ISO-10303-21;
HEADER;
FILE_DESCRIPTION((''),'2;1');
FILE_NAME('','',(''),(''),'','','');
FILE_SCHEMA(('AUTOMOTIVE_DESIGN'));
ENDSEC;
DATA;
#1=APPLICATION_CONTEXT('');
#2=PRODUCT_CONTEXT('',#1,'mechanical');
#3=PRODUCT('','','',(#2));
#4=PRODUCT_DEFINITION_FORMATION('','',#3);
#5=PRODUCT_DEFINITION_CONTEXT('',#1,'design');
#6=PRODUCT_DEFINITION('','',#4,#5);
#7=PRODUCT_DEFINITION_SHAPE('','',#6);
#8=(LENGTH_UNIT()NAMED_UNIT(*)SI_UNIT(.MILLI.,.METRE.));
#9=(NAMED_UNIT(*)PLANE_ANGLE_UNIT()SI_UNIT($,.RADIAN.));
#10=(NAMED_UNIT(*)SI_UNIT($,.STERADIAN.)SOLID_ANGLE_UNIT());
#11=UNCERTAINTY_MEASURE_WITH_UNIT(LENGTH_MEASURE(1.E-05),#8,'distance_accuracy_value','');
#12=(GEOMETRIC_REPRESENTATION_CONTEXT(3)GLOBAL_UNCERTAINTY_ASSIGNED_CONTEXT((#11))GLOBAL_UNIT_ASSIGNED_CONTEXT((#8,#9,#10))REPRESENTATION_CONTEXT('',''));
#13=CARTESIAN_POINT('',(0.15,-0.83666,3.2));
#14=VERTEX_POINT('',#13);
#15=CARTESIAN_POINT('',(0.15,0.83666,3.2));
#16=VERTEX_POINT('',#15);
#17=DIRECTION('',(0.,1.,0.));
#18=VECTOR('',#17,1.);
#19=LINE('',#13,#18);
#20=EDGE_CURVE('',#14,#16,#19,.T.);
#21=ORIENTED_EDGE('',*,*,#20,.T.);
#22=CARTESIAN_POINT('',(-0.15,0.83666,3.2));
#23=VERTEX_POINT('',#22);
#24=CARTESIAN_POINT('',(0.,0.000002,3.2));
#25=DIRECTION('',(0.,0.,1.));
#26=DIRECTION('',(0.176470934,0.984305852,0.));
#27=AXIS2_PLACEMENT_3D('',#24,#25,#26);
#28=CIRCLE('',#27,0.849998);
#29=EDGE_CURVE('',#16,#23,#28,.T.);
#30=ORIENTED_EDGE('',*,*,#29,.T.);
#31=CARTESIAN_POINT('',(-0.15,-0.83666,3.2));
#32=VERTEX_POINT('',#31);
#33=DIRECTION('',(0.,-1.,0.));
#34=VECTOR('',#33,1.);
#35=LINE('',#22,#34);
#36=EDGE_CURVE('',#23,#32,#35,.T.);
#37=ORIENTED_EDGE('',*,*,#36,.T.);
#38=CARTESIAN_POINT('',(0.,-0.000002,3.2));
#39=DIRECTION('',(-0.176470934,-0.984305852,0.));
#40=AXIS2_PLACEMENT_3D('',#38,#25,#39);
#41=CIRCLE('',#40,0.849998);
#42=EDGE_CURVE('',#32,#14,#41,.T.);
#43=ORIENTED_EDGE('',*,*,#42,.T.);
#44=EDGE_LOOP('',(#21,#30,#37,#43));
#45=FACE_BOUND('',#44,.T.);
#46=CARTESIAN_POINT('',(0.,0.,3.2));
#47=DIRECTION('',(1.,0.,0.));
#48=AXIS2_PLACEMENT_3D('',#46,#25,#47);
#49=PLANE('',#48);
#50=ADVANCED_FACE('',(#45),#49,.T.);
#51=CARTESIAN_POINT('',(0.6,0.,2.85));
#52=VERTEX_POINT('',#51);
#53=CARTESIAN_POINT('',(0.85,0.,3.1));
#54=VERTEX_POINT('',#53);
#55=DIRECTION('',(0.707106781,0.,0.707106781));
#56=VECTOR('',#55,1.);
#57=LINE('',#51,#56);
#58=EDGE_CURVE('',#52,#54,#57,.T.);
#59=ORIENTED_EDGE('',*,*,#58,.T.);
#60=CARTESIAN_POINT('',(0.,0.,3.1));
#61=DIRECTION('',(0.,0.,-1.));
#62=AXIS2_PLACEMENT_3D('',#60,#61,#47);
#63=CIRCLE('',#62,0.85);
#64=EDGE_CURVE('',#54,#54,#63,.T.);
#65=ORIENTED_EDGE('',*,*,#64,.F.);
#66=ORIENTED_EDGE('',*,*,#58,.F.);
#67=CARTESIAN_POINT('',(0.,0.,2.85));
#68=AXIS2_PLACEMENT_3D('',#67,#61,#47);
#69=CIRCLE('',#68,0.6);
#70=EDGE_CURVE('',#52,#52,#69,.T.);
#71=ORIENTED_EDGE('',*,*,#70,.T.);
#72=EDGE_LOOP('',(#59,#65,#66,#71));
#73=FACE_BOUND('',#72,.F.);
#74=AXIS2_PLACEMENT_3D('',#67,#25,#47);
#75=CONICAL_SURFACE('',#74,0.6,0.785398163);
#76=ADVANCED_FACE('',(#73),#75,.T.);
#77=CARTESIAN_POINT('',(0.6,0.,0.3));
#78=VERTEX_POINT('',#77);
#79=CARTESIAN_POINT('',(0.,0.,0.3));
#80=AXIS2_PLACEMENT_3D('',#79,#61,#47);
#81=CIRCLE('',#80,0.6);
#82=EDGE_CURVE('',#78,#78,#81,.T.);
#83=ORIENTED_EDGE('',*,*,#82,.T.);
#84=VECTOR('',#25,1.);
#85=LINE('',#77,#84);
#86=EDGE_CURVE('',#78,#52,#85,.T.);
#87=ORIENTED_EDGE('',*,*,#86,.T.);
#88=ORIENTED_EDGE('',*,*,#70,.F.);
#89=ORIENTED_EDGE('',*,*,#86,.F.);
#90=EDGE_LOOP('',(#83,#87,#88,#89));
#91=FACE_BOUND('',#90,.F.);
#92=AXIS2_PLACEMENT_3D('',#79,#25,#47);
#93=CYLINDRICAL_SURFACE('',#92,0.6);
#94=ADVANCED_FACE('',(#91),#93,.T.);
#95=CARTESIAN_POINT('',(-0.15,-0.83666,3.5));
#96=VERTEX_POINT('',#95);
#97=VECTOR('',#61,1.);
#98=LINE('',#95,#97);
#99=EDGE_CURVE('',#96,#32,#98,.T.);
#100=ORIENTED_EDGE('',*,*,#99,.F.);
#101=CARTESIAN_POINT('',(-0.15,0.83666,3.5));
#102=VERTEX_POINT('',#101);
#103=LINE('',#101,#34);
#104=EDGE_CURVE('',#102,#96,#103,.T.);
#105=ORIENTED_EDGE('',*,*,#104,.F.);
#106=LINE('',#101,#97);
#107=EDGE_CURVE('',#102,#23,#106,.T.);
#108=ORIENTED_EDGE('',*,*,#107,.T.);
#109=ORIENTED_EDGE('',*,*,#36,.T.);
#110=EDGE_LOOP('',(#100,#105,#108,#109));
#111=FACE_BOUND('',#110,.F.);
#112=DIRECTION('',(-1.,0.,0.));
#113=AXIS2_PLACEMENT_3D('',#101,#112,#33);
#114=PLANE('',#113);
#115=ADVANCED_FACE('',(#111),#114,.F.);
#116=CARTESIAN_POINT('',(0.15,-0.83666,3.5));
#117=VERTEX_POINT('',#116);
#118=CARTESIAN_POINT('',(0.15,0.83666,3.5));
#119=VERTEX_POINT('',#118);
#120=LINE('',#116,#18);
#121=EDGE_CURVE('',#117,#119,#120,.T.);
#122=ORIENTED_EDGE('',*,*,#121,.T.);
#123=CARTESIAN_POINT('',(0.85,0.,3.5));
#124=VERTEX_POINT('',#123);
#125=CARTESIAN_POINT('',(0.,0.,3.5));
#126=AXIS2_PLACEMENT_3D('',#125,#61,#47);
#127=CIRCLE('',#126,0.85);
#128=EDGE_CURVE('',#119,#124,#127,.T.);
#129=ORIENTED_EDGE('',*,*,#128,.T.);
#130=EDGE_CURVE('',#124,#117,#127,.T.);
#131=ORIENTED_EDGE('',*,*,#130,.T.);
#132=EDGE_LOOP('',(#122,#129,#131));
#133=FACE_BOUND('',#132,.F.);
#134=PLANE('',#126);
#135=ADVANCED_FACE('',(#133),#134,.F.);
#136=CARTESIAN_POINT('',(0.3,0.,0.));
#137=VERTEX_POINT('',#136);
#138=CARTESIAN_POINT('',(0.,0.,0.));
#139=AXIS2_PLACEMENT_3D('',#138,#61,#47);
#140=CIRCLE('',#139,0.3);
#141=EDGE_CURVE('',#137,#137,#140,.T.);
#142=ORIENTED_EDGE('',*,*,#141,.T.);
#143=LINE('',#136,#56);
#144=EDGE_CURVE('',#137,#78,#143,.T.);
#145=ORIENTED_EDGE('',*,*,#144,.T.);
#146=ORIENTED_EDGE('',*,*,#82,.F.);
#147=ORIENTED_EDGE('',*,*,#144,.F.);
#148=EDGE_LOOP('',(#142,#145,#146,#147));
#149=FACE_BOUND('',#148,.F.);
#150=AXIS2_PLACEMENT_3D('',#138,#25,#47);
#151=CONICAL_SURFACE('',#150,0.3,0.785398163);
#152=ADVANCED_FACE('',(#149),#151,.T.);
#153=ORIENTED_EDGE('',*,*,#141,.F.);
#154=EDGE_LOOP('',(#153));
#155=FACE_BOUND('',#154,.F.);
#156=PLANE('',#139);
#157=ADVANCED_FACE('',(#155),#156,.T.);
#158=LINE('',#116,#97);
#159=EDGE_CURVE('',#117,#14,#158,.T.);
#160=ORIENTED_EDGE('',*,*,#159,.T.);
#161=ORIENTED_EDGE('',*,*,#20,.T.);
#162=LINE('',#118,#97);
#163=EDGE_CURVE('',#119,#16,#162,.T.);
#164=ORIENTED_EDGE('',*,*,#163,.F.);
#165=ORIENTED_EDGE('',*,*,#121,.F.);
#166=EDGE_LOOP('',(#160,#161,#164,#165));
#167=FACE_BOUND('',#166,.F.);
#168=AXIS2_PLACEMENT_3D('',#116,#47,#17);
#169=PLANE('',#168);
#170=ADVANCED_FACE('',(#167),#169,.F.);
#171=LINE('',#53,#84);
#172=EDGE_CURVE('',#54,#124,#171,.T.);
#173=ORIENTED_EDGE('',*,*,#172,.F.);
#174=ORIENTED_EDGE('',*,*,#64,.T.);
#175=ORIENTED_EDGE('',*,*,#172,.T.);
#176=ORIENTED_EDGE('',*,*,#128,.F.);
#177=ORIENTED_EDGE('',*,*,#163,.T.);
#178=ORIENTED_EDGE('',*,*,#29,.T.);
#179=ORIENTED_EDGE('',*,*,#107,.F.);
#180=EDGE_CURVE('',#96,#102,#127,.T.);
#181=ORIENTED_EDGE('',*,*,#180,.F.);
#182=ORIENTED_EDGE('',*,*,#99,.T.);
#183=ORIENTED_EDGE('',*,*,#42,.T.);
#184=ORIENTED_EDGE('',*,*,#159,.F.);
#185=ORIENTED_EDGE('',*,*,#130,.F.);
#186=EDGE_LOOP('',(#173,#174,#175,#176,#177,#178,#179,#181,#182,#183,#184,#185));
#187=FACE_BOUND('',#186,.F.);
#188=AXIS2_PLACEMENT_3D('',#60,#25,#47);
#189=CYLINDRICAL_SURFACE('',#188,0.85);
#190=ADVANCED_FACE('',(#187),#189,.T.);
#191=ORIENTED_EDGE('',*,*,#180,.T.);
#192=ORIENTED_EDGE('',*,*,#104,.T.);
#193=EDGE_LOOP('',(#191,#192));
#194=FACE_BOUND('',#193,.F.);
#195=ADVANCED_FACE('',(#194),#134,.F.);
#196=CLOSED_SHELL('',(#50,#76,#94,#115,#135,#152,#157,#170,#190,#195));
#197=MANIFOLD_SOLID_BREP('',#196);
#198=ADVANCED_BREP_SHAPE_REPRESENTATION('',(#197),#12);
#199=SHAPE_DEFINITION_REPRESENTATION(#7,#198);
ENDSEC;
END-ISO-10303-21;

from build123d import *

# Parameters (mm, degrees)
F3_DEPTH = 0.3


with BuildPart() as f1:
    # F0 (on Front) → F1 (revolve)
    with BuildSketch(Plane.XZ):
        Polygon((0, 3.5), (0, 0), (0.3, 0), (0.6, 0.3), (0.6, 2.85), (0.85, 3.1), (0.85, 3.5), align=None)
    revolve(axis=Axis((0, 0, 1.75), (0, 0, -1)))

    # F2 (on face) → F3 (cut)
    with BuildSketch(Plane.XY.offset(3.5)):
        with BuildLine():
            ThreePointArc((0.15, 0.83666), (0, 0.85), (-0.15, 0.83666))
            Line((-0.15, 0.83666), (-0.15, -0.83666))
            ThreePointArc((-0.15, -0.83666), (0, -0.85), (0.15, -0.83666))
            Line((0.15, -0.83666), (0.15, 0.83666))
        make_face()
    extrude(amount=-F3_DEPTH, mode=Mode.SUBTRACT)


solid = f1.part
